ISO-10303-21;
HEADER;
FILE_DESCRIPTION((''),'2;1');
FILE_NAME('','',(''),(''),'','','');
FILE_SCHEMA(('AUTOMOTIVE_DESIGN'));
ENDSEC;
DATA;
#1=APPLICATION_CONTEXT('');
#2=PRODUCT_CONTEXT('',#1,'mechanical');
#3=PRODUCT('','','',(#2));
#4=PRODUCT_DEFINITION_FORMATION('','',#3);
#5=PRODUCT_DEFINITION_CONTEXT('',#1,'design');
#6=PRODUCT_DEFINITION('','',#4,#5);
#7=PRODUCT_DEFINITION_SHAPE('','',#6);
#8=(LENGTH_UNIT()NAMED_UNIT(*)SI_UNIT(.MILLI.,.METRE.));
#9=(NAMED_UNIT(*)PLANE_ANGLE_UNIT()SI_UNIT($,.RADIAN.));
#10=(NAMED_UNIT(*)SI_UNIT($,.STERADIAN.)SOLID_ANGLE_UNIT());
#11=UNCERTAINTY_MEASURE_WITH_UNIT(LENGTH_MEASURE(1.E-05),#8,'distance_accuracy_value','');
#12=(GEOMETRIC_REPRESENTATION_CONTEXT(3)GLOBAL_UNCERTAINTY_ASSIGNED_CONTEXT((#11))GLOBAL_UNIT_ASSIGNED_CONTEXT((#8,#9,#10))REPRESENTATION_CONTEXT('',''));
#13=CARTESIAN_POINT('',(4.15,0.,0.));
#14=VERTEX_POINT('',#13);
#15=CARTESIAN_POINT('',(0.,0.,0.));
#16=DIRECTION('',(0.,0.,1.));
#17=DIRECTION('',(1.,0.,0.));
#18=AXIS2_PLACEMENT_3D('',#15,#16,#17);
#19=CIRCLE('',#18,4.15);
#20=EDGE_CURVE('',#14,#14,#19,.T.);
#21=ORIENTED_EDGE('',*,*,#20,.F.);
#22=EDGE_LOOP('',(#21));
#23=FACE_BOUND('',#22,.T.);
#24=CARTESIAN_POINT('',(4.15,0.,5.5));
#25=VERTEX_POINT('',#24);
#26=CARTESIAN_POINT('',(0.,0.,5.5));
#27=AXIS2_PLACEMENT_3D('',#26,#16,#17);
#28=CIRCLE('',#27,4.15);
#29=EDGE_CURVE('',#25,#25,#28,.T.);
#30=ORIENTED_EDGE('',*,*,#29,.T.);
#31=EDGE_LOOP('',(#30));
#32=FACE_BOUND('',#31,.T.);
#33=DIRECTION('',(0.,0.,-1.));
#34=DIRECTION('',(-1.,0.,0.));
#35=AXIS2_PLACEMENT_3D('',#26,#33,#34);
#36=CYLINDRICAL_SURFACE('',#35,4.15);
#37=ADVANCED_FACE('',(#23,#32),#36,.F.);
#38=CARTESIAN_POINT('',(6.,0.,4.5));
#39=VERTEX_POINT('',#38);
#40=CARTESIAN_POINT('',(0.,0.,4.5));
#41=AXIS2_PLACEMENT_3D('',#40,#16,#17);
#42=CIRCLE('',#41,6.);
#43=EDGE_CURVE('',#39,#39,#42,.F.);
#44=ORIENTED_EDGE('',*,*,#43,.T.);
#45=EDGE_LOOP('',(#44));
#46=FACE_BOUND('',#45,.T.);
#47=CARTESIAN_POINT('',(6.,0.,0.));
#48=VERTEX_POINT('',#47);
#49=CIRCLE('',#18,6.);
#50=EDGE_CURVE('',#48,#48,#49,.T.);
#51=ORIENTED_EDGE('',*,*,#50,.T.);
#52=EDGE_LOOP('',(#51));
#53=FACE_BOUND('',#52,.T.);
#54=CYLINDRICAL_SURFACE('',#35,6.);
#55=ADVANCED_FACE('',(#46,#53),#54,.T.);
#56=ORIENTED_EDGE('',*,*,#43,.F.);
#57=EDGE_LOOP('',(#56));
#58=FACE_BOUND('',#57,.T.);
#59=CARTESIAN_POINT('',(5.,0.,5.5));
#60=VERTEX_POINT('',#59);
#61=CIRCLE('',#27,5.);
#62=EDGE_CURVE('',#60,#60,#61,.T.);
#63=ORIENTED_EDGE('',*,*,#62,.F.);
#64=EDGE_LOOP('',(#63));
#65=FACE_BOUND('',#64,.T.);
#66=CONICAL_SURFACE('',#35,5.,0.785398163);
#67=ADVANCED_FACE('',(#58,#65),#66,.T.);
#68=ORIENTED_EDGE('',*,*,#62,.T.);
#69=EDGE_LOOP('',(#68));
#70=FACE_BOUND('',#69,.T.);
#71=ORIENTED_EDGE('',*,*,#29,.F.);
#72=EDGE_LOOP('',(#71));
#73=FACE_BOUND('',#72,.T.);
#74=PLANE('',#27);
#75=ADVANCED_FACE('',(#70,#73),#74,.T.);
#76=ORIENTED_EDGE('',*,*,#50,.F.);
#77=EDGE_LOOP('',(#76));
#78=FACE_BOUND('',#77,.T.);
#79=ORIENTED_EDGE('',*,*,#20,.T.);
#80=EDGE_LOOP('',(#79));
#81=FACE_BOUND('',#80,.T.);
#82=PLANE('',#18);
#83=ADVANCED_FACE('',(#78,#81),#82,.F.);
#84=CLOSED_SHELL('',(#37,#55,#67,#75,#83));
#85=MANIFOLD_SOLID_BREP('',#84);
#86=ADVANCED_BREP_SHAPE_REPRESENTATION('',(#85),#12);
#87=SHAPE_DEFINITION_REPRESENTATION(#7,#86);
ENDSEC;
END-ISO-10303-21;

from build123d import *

# Parameters (mm, degrees)
SKETCH_1_R      = 6
SKETCH_1_R_2    = 4.15
EXTRUDE_1_DEPTH = 5.5
CHAMFER_1_SIZE  = 1


with BuildPart() as part:
    # ｽｹｯﾁ1 → ﾎﾞｽ - 押し出し1 (new body)
    with BuildSketch(Plane.XY):
        Circle(SKETCH_1_R)
        Circle(SKETCH_1_R_2, mode=Mode.SUBTRACT)
    extrude(amount=EXTRUDE_1_DEPTH)

    # 面取り1
    chamfer_1_edges = [part.edges().sort_by_distance(p)[0] for p in [
        (-6, 0, 5.5),
    ]]
    chamfer(chamfer_1_edges, length=CHAMFER_1_SIZE)


solid = part.part
